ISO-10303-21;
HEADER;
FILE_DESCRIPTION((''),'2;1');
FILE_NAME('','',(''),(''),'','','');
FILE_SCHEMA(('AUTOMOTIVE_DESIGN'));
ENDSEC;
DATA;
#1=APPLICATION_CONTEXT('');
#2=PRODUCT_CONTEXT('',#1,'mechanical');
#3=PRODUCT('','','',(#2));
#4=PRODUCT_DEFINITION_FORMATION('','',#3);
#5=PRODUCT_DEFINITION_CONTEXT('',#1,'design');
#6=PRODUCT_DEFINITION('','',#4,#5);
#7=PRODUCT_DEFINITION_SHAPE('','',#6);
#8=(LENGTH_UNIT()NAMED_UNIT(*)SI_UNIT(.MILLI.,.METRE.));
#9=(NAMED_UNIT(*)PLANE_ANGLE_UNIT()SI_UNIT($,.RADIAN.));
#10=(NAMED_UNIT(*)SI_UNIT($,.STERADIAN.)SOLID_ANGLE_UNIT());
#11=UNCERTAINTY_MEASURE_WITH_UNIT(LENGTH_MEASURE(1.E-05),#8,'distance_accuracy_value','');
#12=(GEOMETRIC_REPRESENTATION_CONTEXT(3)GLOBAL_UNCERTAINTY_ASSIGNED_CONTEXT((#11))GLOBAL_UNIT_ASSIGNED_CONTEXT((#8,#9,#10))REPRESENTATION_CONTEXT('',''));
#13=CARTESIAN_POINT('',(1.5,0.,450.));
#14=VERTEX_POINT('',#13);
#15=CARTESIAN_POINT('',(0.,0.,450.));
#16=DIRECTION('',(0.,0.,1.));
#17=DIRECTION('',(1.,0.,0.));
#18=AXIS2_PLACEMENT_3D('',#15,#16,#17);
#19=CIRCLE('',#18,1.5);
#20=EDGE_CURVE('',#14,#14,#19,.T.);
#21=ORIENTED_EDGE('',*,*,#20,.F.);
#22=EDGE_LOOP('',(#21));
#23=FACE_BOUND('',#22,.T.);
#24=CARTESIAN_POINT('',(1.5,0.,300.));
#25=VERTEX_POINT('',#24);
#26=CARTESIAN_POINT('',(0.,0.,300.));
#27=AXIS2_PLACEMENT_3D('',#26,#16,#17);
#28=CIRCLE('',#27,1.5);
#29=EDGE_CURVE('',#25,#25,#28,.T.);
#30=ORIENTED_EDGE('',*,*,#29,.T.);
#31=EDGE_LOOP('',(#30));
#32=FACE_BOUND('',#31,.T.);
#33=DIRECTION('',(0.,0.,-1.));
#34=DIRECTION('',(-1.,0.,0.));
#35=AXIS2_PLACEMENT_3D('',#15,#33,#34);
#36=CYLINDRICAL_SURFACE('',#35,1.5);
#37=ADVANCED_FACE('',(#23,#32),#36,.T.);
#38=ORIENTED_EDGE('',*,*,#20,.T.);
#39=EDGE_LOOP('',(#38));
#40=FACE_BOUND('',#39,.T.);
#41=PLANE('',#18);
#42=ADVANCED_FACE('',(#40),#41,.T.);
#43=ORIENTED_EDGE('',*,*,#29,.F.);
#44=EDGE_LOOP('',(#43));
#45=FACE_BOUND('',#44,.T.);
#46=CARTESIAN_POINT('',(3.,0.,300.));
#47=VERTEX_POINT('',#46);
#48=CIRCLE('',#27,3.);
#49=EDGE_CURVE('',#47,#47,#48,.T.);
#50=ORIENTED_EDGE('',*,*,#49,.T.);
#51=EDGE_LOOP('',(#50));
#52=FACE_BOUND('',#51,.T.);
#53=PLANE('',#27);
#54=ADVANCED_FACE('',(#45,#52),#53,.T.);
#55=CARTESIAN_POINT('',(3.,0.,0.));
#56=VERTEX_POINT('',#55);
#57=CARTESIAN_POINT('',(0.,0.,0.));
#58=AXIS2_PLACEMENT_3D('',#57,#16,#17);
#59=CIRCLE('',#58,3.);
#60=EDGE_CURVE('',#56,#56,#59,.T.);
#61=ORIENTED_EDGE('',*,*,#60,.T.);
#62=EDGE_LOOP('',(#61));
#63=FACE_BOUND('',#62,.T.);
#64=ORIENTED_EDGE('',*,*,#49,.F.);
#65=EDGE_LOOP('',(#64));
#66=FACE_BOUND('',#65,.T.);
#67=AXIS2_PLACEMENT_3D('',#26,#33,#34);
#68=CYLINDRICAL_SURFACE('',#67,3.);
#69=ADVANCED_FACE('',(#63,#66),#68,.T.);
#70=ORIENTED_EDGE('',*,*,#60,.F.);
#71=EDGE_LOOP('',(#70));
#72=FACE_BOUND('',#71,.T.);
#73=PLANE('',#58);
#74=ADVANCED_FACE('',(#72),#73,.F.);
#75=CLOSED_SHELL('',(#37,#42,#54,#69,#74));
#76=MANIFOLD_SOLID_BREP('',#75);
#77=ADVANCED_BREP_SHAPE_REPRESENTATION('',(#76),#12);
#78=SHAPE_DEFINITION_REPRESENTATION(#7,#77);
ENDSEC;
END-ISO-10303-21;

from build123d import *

# Parameters (mm, degrees)
ESQUISSE1_R        = 3
BOSS_EXTRU_1_DEPTH = 300
ESQUISSE2_R        = 1.5
BOSS_EXTRU_2_DEPTH = 150


with BuildPart() as part:
    # Esquisse1 → Boss.-Extru.1 (new body)
    with BuildSketch(Plane.XY):
        Circle(ESQUISSE1_R)
    extrude(amount=BOSS_EXTRU_1_DEPTH)

    # Esquisse2 → Boss.-Extru.2 (add)
    with BuildSketch(Plane.XY.offset(300)):
        Circle(ESQUISSE2_R)
    extrude(amount=BOSS_EXTRU_2_DEPTH)


solid = part.part
